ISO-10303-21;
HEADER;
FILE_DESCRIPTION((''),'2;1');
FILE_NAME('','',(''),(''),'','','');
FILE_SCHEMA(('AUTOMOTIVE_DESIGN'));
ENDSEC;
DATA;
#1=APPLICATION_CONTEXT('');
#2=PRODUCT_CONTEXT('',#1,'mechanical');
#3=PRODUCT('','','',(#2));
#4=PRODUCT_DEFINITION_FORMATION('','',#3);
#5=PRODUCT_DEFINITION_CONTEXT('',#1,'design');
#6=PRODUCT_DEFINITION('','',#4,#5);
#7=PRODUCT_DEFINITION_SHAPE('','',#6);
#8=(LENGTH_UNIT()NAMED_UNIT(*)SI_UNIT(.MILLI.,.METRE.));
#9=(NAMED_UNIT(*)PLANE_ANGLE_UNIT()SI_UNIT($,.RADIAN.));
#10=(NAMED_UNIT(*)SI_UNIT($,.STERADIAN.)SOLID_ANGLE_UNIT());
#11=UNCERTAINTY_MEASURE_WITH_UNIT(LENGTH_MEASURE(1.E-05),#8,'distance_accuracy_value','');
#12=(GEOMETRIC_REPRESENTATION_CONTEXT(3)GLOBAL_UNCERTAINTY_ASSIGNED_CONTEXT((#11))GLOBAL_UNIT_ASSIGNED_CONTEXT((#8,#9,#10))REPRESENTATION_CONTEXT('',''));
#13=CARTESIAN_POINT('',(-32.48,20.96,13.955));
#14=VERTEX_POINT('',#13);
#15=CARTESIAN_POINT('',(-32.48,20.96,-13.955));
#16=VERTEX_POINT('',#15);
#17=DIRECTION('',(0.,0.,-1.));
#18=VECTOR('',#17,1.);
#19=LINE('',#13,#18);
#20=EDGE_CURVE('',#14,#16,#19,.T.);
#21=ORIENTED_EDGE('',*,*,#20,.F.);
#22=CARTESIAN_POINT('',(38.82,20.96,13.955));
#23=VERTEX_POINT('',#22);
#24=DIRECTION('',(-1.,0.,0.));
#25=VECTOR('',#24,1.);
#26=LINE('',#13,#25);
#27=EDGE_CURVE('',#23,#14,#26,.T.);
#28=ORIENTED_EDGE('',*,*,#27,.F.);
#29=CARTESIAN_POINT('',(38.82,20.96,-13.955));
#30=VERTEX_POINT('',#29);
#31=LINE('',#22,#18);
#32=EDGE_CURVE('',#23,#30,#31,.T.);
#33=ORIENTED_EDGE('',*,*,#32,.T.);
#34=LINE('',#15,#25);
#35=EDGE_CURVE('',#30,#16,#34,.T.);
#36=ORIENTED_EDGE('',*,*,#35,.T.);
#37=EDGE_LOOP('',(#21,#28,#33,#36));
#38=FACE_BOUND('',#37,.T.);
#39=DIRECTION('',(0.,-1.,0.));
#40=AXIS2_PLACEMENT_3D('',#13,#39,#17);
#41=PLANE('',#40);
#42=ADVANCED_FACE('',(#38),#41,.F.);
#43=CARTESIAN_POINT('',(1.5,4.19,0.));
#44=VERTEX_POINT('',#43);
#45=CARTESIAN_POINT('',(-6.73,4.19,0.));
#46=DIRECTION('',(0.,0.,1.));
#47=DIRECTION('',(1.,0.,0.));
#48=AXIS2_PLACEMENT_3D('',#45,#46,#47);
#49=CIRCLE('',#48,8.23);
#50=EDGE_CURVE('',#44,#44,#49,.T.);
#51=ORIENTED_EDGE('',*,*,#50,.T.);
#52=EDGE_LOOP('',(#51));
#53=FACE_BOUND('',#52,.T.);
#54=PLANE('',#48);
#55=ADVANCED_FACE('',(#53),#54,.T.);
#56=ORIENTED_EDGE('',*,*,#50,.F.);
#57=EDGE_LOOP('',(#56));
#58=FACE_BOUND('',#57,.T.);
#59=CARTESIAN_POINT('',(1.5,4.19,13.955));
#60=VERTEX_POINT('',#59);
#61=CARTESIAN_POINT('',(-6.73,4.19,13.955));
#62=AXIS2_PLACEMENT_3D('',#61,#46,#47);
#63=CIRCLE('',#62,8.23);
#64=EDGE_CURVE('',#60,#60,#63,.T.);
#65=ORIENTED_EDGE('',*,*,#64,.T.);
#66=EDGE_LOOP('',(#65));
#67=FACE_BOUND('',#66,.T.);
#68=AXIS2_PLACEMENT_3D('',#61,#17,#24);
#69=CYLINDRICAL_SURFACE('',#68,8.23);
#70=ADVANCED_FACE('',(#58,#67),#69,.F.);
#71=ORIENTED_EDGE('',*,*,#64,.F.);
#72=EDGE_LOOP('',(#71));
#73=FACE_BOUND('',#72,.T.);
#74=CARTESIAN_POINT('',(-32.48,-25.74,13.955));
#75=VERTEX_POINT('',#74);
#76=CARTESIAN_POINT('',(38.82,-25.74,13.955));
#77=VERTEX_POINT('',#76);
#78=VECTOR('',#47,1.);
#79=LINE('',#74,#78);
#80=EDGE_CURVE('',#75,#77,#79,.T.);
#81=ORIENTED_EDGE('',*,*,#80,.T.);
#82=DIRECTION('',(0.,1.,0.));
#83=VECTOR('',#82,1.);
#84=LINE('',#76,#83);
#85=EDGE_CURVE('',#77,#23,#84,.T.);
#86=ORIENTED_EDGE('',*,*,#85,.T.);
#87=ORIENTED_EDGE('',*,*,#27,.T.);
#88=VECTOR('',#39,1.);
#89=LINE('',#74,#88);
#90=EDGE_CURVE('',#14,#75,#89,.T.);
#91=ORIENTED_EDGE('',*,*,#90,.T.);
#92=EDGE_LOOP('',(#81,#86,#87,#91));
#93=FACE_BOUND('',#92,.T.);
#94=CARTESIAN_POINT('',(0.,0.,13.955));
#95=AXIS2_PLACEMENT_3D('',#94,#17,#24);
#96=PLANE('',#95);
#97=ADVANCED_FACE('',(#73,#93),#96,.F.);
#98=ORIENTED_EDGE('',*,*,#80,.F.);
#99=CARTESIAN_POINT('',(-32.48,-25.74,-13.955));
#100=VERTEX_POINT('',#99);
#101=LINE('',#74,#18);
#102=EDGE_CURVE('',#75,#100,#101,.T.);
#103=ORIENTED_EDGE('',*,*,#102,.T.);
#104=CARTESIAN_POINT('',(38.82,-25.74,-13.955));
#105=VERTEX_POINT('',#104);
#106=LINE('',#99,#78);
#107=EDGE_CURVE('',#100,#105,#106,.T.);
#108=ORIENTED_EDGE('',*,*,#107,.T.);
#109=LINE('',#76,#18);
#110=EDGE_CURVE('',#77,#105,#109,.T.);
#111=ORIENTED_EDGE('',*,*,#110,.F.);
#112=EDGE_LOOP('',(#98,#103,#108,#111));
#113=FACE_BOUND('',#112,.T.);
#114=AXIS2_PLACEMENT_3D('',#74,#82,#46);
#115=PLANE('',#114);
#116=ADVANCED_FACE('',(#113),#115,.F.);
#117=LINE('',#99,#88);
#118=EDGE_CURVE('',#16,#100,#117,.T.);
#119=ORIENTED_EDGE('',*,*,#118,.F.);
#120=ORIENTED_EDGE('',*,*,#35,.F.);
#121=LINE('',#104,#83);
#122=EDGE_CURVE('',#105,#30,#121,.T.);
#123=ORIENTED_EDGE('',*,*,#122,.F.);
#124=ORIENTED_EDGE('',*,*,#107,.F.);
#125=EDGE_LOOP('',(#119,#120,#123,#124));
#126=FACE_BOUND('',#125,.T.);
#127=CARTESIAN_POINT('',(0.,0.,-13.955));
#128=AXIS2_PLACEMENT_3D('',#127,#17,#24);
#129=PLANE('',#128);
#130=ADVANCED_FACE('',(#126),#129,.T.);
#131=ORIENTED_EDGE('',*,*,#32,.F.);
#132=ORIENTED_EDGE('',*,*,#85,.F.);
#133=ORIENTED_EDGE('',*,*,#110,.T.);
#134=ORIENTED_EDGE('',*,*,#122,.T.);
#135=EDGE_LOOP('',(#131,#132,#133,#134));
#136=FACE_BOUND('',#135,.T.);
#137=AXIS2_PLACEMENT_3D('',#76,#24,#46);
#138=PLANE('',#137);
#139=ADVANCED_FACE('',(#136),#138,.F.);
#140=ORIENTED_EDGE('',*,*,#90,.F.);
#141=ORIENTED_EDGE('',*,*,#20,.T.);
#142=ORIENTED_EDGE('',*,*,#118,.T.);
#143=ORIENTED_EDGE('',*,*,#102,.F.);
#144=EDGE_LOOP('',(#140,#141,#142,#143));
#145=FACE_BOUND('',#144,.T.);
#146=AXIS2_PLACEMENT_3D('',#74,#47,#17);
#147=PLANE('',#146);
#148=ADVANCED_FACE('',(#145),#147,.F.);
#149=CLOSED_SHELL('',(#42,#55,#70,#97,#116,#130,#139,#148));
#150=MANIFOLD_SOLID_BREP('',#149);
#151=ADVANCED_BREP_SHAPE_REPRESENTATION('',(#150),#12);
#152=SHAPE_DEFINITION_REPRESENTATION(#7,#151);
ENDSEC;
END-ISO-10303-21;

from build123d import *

# Parameters (mm, degrees)
STOCKPROFILE_W       = 71.3
STOCKPROFILE_H       = 46.7
STOCKBOSS_DEPTH      = 13.955
THROUGHPROFILE_R     = 8.23
THROUGHFEATURE_DEPTH = 49.623883278


with BuildPart() as part:
    # StockProfile → StockBoss (new, symmetric)
    with BuildSketch(Plane.XY):
        with Locations((3.17, -2.39)):
            Rectangle(STOCKPROFILE_W, STOCKPROFILE_H)
    extrude(amount=STOCKBOSS_DEPTH, both=True)

    # ThroughProfile → ThroughFeature (cut, through all)
    with BuildSketch(Plane.XY):
        with Locations((-6.73, 4.19)):
            Circle(THROUGHPROFILE_R)
    extrude(amount=THROUGHFEATURE_DEPTH, mode=Mode.SUBTRACT)


solid = part.part
